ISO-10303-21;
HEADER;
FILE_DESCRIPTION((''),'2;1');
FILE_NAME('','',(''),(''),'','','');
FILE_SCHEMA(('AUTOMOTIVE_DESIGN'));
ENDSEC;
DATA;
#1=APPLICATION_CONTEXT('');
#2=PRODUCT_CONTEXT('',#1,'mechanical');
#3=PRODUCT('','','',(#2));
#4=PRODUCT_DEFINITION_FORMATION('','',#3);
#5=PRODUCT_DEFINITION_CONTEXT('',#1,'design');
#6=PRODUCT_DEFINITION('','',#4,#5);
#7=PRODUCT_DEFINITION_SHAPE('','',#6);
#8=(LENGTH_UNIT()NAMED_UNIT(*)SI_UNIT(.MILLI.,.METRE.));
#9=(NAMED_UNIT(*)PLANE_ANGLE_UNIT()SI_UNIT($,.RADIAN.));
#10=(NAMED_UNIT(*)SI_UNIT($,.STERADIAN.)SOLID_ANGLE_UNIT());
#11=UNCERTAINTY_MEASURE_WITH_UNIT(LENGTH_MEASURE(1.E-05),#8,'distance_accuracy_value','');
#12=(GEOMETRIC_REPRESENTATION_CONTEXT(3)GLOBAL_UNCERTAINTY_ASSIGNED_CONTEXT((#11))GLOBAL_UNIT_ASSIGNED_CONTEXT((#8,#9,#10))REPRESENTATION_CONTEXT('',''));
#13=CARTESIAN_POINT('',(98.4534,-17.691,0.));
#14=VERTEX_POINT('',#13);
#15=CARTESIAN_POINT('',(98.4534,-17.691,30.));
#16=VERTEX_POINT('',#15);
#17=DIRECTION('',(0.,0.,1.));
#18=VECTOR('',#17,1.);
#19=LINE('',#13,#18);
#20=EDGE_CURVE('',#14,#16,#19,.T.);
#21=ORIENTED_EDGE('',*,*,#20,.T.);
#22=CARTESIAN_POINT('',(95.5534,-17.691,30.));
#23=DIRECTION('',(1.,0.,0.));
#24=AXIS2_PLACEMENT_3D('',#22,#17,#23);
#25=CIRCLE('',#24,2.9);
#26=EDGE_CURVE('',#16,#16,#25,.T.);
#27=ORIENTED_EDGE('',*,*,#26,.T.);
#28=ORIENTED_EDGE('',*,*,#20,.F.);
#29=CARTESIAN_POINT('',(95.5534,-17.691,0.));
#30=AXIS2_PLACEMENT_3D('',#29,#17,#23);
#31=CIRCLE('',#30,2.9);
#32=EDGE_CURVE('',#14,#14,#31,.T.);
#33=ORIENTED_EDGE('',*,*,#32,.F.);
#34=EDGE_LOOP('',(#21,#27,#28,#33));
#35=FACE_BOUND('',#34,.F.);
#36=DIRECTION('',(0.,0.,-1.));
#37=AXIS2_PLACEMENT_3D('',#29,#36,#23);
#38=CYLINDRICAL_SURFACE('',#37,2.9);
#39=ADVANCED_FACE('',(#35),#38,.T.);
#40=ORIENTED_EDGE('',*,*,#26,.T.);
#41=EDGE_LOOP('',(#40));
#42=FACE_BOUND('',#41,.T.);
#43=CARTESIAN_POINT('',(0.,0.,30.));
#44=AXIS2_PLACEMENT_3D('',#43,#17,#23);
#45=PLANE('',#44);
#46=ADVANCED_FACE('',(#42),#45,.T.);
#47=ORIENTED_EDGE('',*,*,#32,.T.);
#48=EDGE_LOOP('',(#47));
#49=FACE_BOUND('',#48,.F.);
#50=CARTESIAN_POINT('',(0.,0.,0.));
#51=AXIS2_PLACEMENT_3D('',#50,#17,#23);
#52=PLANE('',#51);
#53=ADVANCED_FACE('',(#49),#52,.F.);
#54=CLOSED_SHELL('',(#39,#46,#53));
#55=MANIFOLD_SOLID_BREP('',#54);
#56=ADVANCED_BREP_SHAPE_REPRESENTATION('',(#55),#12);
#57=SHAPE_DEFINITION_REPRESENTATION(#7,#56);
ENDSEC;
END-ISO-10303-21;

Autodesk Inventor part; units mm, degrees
ref_plane "YZ Plane" through (0, 0, 0) normal (1, 0, 0) x (0, 1, 0)
ref_plane "XZ Plane" through (0, 0, 0) normal (0, 1, 0) x (-1, 0, 0)
ref_plane "XY Plane" through (0, 0, 0) normal (0, 0, 1) x (1, 0, 0)
sketch "Sketch1" plane through (0, 0, 0) normal (0, 0, 1) x (1, 0, 0)
  circle A0 centre (95.5534, -17.691) radius 2.9
  point P0 (0, 0)
  dimension "d0" = 5.8
  dimension "d0" = 5.8
extrude "Extrusion1" add sketch "Sketch1" along normal blind 30
properties part number "Pin"
